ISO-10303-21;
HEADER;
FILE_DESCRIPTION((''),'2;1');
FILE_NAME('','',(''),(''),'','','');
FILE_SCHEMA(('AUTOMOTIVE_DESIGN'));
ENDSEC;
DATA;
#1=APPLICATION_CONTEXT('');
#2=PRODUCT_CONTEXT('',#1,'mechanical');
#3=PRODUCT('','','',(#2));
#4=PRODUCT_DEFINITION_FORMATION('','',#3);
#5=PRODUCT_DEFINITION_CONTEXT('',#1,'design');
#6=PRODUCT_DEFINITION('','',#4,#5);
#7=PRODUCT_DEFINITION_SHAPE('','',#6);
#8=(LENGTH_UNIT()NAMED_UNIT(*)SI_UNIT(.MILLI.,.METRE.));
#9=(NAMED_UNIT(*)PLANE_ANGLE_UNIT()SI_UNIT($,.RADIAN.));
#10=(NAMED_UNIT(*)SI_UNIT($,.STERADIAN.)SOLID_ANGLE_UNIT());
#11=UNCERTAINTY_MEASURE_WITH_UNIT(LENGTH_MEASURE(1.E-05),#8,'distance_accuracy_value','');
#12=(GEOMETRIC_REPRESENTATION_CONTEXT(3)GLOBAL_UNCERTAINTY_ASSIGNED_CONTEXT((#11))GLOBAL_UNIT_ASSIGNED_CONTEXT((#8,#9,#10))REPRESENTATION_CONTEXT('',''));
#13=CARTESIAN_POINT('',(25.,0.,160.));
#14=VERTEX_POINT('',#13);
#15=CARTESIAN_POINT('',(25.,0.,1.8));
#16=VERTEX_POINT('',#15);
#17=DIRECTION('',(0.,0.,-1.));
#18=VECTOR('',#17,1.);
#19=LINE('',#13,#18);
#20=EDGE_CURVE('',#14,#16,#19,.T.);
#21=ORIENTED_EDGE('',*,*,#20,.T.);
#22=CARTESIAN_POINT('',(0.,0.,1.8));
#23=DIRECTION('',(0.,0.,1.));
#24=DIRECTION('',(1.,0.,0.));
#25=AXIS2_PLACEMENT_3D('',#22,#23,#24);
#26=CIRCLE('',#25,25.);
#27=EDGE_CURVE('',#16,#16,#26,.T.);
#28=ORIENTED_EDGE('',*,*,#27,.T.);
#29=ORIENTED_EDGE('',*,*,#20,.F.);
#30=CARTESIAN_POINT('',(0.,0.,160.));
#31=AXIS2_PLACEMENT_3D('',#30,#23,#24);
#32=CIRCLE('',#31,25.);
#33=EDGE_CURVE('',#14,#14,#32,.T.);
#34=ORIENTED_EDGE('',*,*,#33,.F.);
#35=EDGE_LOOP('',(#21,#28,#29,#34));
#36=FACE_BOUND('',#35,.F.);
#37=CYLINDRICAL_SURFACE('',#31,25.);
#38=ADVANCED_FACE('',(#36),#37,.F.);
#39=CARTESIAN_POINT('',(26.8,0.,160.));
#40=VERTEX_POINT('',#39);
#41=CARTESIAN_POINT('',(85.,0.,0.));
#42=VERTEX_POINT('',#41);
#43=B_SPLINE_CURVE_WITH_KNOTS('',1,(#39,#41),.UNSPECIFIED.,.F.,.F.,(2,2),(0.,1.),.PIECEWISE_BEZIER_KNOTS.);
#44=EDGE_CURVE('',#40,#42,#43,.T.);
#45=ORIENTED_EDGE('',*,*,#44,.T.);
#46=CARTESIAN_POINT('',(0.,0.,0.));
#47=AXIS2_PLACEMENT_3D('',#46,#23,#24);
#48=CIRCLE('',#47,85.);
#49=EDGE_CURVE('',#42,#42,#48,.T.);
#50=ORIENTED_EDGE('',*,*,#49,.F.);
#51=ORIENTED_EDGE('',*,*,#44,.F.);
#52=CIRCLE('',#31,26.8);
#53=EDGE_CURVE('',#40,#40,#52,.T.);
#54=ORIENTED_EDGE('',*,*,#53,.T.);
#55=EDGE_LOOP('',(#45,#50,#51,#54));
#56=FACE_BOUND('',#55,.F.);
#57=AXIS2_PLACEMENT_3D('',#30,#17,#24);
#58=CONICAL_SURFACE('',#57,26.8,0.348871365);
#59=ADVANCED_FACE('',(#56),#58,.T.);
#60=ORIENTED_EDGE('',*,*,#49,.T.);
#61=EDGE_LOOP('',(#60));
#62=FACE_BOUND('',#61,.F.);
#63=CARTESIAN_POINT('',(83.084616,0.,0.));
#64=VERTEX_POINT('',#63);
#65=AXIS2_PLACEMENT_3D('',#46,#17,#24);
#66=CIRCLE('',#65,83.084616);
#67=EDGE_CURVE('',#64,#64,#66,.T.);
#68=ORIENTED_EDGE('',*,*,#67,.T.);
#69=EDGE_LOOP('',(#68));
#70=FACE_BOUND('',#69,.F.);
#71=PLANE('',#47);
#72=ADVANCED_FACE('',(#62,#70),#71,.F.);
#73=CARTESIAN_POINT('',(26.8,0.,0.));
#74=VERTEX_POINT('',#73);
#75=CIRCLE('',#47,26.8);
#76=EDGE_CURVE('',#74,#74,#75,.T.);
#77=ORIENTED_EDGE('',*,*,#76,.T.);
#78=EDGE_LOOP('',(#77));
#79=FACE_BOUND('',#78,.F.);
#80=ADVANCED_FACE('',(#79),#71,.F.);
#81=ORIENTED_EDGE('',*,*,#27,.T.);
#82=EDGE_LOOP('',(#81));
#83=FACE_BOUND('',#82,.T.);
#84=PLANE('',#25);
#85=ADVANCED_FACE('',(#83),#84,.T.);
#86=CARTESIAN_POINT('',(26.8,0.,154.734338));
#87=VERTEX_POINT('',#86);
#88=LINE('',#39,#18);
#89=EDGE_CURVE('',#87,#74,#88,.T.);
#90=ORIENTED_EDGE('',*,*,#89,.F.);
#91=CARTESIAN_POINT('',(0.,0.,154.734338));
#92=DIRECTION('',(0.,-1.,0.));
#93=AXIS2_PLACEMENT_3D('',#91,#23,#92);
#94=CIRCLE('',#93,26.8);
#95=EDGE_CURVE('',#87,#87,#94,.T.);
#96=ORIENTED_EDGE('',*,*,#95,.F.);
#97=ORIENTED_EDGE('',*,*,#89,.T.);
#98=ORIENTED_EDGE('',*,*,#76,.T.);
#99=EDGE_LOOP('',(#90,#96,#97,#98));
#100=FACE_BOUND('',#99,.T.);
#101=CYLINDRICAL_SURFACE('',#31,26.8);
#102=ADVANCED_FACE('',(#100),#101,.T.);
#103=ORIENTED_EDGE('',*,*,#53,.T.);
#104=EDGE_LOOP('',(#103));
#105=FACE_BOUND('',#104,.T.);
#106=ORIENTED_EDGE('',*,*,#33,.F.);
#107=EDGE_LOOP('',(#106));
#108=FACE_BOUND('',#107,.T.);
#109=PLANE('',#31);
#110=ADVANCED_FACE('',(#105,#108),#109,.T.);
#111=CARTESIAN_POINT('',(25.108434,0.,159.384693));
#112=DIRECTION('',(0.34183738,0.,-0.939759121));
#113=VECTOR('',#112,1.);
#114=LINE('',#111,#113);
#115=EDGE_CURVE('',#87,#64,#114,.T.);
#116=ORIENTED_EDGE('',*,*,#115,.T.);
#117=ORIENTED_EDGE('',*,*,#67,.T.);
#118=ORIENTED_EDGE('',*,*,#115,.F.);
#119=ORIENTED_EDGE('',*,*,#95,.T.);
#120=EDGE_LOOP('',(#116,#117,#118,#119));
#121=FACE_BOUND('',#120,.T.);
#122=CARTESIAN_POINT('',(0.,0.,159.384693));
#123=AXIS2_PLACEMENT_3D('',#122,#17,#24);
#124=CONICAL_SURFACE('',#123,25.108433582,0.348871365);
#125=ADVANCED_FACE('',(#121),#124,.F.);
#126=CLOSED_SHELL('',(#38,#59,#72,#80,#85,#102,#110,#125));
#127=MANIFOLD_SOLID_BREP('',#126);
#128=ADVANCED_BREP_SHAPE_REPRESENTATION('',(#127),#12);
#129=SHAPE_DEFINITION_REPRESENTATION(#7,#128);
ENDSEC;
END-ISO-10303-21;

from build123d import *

# Parameters (mm, degrees)
F2_R     = 26.8
F0_R     = 85
F4_R     = 25
F5_DEPTH = 158.2
F6_T     = -1.8


with BuildPart() as f3:
    # F2 (on offset) → F3 section 0
    with BuildSketch(Plane.XY.offset(160)):
        Circle(F2_R)
    # F0 (on Top) → F3 section 1
    with BuildSketch(Plane.XY):
        Circle(F0_R)
    loft()

    # F4 (on offset) → F5 (cut)
    with BuildSketch(Plane.XY.offset(160)):
        Circle(F4_R)
    extrude(amount=-F5_DEPTH, mode=Mode.SUBTRACT)

    # F6
    f6_openings = [f3.faces().sort_by_distance(p)[0] for p in [
        (0, 0, 0),
    ]]
    offset(amount=F6_T, openings=f6_openings, kind=Kind.INTERSECTION)


solid = f3.part
